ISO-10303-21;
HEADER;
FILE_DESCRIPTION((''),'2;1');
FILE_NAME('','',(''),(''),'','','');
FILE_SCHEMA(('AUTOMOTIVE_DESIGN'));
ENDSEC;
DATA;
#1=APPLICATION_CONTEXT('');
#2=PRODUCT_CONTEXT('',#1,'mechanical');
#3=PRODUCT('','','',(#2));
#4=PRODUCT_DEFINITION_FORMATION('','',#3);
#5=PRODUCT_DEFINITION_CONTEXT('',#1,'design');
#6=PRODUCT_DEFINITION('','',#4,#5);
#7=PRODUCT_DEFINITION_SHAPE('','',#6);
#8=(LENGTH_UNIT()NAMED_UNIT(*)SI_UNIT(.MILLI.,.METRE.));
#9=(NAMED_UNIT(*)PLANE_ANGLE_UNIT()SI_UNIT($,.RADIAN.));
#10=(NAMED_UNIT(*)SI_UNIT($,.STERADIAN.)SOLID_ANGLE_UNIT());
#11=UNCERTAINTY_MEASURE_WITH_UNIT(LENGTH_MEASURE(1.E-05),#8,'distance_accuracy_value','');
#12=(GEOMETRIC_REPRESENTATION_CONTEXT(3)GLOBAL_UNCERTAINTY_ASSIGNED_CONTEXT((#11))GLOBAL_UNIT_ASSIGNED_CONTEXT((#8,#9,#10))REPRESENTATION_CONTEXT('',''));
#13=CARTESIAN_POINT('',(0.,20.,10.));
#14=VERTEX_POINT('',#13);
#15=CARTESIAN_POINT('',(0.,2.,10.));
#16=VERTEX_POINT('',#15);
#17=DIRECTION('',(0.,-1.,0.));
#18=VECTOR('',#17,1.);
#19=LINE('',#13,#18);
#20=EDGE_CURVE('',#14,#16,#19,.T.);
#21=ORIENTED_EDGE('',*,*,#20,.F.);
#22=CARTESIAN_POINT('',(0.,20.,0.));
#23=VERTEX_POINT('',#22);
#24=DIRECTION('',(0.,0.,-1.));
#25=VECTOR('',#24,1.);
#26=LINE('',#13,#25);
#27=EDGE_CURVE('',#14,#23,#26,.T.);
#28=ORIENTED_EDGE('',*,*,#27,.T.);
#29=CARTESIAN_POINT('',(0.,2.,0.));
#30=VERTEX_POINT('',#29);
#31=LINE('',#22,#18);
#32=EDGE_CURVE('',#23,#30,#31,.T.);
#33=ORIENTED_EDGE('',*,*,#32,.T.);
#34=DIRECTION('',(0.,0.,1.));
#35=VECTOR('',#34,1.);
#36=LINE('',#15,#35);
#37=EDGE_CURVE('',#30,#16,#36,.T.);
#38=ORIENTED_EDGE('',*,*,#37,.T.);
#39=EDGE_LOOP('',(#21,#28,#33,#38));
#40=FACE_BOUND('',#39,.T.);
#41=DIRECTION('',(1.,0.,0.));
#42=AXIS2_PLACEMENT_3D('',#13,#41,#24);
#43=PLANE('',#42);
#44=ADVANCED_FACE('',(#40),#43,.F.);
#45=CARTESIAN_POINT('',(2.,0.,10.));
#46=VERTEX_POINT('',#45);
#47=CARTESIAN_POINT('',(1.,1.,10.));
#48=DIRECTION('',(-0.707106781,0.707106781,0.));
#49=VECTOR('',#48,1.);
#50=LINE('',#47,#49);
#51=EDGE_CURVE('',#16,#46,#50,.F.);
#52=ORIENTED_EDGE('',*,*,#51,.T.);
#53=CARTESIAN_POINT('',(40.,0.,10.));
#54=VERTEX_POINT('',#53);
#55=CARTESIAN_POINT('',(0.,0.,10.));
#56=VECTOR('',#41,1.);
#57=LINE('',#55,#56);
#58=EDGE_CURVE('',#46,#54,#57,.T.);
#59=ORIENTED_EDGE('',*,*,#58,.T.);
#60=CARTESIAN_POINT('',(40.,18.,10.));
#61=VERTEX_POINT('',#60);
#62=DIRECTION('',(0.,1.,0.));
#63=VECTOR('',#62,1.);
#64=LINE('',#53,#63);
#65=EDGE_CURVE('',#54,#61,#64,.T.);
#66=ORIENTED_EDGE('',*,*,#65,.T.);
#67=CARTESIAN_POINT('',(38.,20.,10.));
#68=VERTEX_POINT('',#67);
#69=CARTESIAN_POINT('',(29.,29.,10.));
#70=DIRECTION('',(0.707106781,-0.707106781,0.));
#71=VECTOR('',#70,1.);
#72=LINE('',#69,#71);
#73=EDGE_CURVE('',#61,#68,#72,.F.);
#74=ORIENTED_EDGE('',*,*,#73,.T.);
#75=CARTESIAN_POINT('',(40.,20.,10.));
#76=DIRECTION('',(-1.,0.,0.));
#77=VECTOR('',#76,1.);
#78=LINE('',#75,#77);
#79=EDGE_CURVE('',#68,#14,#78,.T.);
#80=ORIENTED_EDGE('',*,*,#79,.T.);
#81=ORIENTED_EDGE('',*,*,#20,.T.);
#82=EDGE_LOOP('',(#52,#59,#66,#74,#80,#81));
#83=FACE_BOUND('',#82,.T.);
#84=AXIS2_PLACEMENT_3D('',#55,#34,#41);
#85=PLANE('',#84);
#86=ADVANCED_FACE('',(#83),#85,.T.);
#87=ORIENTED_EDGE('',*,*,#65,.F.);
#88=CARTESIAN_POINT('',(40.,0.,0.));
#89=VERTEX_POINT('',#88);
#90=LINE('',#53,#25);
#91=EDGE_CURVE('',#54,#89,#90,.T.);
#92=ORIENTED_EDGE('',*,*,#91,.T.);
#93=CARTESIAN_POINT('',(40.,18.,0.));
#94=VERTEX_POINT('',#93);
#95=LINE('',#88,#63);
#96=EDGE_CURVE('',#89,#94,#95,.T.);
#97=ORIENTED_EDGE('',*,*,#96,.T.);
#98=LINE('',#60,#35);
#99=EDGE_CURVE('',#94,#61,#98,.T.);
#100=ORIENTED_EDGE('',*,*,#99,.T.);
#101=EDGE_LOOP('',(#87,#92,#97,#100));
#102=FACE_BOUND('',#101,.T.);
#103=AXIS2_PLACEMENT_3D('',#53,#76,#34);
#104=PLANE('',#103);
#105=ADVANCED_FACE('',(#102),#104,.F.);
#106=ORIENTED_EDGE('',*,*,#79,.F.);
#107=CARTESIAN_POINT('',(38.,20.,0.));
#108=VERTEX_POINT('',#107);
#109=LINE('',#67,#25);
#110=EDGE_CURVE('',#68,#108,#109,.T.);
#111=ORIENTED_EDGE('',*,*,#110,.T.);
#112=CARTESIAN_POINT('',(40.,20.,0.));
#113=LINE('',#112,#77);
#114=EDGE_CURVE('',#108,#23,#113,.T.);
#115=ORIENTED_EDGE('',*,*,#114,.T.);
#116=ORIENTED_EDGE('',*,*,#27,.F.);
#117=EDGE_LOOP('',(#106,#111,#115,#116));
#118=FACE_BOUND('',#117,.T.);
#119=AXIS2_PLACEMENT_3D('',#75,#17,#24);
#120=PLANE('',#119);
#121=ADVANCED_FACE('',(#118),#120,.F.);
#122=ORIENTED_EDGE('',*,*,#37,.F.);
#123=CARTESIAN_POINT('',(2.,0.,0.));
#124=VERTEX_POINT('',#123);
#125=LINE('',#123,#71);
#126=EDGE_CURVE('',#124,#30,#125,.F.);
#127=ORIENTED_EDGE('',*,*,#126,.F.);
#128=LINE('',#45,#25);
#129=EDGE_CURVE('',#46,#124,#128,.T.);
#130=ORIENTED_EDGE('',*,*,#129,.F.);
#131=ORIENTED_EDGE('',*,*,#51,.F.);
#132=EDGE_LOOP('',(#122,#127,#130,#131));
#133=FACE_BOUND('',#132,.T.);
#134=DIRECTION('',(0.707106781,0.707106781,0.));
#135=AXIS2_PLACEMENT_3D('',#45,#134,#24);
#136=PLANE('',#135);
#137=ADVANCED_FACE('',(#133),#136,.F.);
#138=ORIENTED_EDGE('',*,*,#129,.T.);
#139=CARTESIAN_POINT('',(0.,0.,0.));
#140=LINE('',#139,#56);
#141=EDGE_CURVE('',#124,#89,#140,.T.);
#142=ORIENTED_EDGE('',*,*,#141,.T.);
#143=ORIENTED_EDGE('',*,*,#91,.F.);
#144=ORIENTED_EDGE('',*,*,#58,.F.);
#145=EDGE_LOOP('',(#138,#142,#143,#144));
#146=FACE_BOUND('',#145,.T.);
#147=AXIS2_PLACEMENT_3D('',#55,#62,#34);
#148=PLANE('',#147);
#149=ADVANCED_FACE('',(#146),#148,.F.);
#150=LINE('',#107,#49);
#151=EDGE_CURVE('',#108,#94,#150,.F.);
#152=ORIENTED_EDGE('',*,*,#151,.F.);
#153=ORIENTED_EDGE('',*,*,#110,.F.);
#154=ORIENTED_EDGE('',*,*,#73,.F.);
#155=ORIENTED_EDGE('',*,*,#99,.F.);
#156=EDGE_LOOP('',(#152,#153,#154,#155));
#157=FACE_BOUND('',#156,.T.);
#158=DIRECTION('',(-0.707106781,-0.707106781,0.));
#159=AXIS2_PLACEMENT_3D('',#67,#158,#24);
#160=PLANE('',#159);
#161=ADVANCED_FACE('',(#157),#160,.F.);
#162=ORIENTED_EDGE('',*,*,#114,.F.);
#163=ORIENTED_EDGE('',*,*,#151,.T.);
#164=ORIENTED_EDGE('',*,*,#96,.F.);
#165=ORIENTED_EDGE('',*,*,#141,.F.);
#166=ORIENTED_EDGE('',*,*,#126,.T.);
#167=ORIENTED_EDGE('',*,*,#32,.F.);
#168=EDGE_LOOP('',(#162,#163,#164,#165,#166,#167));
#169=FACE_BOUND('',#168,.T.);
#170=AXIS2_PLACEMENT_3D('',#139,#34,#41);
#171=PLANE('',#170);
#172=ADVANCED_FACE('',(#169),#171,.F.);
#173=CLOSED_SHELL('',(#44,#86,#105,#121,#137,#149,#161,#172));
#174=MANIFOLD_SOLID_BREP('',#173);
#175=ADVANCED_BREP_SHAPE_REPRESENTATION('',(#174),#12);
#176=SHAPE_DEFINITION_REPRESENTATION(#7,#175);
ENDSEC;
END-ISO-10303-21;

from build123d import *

# Parameters (mm, degrees)
SKETCH1_W           = 40
SKETCH1_H           = 20
BOSS_EXTRUDE1_DEPTH = 10
CHAMFER1_SIZE       = 2


with BuildPart() as part:
    # Sketch1 → Boss-Extrude1 (new body)
    with BuildSketch(Plane.XY):
        with Locations((20, 10)):
            Rectangle(SKETCH1_W, SKETCH1_H)
    extrude(amount=BOSS_EXTRUDE1_DEPTH)

    # Chamfer1
    chamfer1_edges = [part.edges().sort_by_distance(p)[0] for p in [
        (40, 20, 5),
        (0, 0, 5),
    ]]
    chamfer(chamfer1_edges, length=CHAMFER1_SIZE)


solid = part.part
